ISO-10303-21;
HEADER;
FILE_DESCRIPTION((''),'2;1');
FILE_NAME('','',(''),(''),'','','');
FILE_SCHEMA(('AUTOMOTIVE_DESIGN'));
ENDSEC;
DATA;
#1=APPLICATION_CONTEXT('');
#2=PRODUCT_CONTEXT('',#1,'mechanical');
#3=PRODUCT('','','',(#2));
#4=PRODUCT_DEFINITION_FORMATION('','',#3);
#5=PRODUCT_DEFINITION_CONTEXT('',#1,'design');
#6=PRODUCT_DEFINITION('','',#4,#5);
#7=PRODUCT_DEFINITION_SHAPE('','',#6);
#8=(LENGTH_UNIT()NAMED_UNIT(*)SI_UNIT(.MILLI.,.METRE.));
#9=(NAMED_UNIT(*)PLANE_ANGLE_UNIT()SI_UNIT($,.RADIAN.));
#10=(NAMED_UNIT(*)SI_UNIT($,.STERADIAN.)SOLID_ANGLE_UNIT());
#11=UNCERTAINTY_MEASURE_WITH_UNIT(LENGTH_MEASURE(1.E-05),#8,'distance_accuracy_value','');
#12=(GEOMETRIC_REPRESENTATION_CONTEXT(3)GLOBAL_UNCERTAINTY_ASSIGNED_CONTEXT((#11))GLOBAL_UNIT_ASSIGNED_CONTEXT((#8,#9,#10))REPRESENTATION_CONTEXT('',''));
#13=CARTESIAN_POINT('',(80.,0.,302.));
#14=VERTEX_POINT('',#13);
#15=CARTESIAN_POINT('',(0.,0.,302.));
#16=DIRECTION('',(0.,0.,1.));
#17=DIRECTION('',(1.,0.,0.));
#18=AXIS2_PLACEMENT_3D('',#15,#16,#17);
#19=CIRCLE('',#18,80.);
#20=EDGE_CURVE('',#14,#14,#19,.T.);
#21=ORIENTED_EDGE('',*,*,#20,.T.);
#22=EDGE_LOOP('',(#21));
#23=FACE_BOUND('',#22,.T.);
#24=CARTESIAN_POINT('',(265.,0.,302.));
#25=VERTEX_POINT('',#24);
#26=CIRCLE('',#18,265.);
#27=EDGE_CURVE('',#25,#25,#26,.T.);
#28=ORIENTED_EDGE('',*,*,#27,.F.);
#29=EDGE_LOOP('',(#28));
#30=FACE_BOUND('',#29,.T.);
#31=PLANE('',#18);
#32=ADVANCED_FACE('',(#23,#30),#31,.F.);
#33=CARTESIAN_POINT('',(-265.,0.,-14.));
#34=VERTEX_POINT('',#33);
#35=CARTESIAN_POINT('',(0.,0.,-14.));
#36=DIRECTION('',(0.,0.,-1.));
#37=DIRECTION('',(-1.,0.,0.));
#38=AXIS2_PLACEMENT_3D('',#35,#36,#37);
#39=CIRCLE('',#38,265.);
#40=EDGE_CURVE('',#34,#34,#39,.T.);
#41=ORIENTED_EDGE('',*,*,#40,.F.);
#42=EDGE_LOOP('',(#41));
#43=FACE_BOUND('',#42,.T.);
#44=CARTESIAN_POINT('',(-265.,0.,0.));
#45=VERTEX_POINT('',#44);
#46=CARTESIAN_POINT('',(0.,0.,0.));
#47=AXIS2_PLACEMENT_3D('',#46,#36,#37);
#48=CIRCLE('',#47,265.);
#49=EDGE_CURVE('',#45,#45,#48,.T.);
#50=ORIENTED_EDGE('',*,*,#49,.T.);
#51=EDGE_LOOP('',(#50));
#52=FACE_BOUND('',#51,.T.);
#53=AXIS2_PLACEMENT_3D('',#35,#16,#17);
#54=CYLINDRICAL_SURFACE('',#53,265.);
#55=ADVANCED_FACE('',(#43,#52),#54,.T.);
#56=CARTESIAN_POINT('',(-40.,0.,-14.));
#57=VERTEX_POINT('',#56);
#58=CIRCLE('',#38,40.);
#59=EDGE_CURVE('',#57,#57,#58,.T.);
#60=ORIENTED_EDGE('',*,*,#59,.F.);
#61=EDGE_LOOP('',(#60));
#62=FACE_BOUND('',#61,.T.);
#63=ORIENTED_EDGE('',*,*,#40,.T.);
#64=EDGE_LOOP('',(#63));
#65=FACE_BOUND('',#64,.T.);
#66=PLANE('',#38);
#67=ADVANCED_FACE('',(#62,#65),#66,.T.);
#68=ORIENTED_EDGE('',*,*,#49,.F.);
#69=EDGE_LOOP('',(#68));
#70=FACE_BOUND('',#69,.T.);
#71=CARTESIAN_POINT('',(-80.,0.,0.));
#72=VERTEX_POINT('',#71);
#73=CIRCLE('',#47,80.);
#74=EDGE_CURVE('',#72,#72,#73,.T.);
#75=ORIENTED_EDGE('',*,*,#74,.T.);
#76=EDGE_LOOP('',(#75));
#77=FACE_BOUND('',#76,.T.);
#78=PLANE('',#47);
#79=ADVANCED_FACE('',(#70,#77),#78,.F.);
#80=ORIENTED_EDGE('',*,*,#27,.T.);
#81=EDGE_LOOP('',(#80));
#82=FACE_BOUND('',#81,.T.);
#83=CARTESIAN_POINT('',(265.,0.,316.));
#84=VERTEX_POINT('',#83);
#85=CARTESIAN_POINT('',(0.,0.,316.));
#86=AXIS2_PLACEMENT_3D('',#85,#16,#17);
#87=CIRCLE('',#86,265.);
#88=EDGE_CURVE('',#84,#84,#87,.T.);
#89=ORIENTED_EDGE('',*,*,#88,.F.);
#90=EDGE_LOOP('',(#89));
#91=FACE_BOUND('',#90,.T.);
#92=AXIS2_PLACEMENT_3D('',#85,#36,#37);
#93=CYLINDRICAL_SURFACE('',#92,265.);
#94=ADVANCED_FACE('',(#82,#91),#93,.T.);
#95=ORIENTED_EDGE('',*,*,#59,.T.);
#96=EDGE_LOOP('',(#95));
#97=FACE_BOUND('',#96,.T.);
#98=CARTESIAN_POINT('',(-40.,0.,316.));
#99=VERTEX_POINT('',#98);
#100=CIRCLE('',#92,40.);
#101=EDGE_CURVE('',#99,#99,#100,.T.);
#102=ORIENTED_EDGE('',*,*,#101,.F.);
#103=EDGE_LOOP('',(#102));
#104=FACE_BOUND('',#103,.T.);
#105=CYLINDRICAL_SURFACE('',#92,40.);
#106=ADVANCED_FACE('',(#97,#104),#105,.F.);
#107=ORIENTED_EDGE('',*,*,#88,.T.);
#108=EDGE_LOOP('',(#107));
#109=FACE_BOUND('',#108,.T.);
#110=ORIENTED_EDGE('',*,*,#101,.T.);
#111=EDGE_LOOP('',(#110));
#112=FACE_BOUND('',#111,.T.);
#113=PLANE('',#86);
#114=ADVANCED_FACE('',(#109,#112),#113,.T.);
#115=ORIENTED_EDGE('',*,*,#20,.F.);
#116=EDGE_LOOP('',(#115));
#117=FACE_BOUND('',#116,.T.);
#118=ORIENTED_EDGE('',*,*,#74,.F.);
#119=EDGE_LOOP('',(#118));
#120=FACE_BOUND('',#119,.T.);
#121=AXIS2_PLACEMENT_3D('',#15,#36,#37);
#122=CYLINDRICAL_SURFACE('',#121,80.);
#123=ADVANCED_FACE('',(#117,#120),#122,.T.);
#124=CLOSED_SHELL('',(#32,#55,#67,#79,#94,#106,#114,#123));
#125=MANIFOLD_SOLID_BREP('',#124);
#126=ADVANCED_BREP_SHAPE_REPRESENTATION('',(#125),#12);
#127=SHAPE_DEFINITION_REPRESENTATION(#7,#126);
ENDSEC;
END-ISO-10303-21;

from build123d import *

# Parameters (mm, degrees)
SKETCH_1_R          = 80
EXTRUDE_1_DEPTH     = 302
SKETCH_2_R          = 265
EXTRUDE_2_DEPTH     = 14
SKETCH_3_R          = 265
EXTRUDE_3_DEPTH     = 14
SKETCH_4_R          = 40
CUT_EXTRUDE_1_DEPTH = 331


with BuildPart() as part:
    # Эскиз1 → Бобышка-Вытянуть1 (new body)
    with BuildSketch(Plane.XY):
        Circle(SKETCH_1_R)
    extrude(amount=EXTRUDE_1_DEPTH)

    # Эскиз2 → Бобышка-Вытянуть2 (add)
    with BuildSketch(Plane(origin=(0, 0, 0), x_dir=(-1, 0, 0), z_dir=(0, 0, -1))):
        Circle(SKETCH_2_R)
    extrude(amount=EXTRUDE_2_DEPTH)

    # Эскиз3 → Бобышка-Вытянуть3 (add)
    with BuildSketch(Plane.XY.offset(302)):
        Circle(SKETCH_3_R)
    extrude(amount=EXTRUDE_3_DEPTH)

    # Эскиз4 → Вырез-Вытянуть1 (cut, through all)
    with BuildSketch(Plane(origin=(0, 0, -14), x_dir=(-1, 0, 0), z_dir=(0, 0, -1))):
        Circle(SKETCH_4_R)
    extrude(amount=-CUT_EXTRUDE_1_DEPTH, mode=Mode.SUBTRACT)


solid = part.part
